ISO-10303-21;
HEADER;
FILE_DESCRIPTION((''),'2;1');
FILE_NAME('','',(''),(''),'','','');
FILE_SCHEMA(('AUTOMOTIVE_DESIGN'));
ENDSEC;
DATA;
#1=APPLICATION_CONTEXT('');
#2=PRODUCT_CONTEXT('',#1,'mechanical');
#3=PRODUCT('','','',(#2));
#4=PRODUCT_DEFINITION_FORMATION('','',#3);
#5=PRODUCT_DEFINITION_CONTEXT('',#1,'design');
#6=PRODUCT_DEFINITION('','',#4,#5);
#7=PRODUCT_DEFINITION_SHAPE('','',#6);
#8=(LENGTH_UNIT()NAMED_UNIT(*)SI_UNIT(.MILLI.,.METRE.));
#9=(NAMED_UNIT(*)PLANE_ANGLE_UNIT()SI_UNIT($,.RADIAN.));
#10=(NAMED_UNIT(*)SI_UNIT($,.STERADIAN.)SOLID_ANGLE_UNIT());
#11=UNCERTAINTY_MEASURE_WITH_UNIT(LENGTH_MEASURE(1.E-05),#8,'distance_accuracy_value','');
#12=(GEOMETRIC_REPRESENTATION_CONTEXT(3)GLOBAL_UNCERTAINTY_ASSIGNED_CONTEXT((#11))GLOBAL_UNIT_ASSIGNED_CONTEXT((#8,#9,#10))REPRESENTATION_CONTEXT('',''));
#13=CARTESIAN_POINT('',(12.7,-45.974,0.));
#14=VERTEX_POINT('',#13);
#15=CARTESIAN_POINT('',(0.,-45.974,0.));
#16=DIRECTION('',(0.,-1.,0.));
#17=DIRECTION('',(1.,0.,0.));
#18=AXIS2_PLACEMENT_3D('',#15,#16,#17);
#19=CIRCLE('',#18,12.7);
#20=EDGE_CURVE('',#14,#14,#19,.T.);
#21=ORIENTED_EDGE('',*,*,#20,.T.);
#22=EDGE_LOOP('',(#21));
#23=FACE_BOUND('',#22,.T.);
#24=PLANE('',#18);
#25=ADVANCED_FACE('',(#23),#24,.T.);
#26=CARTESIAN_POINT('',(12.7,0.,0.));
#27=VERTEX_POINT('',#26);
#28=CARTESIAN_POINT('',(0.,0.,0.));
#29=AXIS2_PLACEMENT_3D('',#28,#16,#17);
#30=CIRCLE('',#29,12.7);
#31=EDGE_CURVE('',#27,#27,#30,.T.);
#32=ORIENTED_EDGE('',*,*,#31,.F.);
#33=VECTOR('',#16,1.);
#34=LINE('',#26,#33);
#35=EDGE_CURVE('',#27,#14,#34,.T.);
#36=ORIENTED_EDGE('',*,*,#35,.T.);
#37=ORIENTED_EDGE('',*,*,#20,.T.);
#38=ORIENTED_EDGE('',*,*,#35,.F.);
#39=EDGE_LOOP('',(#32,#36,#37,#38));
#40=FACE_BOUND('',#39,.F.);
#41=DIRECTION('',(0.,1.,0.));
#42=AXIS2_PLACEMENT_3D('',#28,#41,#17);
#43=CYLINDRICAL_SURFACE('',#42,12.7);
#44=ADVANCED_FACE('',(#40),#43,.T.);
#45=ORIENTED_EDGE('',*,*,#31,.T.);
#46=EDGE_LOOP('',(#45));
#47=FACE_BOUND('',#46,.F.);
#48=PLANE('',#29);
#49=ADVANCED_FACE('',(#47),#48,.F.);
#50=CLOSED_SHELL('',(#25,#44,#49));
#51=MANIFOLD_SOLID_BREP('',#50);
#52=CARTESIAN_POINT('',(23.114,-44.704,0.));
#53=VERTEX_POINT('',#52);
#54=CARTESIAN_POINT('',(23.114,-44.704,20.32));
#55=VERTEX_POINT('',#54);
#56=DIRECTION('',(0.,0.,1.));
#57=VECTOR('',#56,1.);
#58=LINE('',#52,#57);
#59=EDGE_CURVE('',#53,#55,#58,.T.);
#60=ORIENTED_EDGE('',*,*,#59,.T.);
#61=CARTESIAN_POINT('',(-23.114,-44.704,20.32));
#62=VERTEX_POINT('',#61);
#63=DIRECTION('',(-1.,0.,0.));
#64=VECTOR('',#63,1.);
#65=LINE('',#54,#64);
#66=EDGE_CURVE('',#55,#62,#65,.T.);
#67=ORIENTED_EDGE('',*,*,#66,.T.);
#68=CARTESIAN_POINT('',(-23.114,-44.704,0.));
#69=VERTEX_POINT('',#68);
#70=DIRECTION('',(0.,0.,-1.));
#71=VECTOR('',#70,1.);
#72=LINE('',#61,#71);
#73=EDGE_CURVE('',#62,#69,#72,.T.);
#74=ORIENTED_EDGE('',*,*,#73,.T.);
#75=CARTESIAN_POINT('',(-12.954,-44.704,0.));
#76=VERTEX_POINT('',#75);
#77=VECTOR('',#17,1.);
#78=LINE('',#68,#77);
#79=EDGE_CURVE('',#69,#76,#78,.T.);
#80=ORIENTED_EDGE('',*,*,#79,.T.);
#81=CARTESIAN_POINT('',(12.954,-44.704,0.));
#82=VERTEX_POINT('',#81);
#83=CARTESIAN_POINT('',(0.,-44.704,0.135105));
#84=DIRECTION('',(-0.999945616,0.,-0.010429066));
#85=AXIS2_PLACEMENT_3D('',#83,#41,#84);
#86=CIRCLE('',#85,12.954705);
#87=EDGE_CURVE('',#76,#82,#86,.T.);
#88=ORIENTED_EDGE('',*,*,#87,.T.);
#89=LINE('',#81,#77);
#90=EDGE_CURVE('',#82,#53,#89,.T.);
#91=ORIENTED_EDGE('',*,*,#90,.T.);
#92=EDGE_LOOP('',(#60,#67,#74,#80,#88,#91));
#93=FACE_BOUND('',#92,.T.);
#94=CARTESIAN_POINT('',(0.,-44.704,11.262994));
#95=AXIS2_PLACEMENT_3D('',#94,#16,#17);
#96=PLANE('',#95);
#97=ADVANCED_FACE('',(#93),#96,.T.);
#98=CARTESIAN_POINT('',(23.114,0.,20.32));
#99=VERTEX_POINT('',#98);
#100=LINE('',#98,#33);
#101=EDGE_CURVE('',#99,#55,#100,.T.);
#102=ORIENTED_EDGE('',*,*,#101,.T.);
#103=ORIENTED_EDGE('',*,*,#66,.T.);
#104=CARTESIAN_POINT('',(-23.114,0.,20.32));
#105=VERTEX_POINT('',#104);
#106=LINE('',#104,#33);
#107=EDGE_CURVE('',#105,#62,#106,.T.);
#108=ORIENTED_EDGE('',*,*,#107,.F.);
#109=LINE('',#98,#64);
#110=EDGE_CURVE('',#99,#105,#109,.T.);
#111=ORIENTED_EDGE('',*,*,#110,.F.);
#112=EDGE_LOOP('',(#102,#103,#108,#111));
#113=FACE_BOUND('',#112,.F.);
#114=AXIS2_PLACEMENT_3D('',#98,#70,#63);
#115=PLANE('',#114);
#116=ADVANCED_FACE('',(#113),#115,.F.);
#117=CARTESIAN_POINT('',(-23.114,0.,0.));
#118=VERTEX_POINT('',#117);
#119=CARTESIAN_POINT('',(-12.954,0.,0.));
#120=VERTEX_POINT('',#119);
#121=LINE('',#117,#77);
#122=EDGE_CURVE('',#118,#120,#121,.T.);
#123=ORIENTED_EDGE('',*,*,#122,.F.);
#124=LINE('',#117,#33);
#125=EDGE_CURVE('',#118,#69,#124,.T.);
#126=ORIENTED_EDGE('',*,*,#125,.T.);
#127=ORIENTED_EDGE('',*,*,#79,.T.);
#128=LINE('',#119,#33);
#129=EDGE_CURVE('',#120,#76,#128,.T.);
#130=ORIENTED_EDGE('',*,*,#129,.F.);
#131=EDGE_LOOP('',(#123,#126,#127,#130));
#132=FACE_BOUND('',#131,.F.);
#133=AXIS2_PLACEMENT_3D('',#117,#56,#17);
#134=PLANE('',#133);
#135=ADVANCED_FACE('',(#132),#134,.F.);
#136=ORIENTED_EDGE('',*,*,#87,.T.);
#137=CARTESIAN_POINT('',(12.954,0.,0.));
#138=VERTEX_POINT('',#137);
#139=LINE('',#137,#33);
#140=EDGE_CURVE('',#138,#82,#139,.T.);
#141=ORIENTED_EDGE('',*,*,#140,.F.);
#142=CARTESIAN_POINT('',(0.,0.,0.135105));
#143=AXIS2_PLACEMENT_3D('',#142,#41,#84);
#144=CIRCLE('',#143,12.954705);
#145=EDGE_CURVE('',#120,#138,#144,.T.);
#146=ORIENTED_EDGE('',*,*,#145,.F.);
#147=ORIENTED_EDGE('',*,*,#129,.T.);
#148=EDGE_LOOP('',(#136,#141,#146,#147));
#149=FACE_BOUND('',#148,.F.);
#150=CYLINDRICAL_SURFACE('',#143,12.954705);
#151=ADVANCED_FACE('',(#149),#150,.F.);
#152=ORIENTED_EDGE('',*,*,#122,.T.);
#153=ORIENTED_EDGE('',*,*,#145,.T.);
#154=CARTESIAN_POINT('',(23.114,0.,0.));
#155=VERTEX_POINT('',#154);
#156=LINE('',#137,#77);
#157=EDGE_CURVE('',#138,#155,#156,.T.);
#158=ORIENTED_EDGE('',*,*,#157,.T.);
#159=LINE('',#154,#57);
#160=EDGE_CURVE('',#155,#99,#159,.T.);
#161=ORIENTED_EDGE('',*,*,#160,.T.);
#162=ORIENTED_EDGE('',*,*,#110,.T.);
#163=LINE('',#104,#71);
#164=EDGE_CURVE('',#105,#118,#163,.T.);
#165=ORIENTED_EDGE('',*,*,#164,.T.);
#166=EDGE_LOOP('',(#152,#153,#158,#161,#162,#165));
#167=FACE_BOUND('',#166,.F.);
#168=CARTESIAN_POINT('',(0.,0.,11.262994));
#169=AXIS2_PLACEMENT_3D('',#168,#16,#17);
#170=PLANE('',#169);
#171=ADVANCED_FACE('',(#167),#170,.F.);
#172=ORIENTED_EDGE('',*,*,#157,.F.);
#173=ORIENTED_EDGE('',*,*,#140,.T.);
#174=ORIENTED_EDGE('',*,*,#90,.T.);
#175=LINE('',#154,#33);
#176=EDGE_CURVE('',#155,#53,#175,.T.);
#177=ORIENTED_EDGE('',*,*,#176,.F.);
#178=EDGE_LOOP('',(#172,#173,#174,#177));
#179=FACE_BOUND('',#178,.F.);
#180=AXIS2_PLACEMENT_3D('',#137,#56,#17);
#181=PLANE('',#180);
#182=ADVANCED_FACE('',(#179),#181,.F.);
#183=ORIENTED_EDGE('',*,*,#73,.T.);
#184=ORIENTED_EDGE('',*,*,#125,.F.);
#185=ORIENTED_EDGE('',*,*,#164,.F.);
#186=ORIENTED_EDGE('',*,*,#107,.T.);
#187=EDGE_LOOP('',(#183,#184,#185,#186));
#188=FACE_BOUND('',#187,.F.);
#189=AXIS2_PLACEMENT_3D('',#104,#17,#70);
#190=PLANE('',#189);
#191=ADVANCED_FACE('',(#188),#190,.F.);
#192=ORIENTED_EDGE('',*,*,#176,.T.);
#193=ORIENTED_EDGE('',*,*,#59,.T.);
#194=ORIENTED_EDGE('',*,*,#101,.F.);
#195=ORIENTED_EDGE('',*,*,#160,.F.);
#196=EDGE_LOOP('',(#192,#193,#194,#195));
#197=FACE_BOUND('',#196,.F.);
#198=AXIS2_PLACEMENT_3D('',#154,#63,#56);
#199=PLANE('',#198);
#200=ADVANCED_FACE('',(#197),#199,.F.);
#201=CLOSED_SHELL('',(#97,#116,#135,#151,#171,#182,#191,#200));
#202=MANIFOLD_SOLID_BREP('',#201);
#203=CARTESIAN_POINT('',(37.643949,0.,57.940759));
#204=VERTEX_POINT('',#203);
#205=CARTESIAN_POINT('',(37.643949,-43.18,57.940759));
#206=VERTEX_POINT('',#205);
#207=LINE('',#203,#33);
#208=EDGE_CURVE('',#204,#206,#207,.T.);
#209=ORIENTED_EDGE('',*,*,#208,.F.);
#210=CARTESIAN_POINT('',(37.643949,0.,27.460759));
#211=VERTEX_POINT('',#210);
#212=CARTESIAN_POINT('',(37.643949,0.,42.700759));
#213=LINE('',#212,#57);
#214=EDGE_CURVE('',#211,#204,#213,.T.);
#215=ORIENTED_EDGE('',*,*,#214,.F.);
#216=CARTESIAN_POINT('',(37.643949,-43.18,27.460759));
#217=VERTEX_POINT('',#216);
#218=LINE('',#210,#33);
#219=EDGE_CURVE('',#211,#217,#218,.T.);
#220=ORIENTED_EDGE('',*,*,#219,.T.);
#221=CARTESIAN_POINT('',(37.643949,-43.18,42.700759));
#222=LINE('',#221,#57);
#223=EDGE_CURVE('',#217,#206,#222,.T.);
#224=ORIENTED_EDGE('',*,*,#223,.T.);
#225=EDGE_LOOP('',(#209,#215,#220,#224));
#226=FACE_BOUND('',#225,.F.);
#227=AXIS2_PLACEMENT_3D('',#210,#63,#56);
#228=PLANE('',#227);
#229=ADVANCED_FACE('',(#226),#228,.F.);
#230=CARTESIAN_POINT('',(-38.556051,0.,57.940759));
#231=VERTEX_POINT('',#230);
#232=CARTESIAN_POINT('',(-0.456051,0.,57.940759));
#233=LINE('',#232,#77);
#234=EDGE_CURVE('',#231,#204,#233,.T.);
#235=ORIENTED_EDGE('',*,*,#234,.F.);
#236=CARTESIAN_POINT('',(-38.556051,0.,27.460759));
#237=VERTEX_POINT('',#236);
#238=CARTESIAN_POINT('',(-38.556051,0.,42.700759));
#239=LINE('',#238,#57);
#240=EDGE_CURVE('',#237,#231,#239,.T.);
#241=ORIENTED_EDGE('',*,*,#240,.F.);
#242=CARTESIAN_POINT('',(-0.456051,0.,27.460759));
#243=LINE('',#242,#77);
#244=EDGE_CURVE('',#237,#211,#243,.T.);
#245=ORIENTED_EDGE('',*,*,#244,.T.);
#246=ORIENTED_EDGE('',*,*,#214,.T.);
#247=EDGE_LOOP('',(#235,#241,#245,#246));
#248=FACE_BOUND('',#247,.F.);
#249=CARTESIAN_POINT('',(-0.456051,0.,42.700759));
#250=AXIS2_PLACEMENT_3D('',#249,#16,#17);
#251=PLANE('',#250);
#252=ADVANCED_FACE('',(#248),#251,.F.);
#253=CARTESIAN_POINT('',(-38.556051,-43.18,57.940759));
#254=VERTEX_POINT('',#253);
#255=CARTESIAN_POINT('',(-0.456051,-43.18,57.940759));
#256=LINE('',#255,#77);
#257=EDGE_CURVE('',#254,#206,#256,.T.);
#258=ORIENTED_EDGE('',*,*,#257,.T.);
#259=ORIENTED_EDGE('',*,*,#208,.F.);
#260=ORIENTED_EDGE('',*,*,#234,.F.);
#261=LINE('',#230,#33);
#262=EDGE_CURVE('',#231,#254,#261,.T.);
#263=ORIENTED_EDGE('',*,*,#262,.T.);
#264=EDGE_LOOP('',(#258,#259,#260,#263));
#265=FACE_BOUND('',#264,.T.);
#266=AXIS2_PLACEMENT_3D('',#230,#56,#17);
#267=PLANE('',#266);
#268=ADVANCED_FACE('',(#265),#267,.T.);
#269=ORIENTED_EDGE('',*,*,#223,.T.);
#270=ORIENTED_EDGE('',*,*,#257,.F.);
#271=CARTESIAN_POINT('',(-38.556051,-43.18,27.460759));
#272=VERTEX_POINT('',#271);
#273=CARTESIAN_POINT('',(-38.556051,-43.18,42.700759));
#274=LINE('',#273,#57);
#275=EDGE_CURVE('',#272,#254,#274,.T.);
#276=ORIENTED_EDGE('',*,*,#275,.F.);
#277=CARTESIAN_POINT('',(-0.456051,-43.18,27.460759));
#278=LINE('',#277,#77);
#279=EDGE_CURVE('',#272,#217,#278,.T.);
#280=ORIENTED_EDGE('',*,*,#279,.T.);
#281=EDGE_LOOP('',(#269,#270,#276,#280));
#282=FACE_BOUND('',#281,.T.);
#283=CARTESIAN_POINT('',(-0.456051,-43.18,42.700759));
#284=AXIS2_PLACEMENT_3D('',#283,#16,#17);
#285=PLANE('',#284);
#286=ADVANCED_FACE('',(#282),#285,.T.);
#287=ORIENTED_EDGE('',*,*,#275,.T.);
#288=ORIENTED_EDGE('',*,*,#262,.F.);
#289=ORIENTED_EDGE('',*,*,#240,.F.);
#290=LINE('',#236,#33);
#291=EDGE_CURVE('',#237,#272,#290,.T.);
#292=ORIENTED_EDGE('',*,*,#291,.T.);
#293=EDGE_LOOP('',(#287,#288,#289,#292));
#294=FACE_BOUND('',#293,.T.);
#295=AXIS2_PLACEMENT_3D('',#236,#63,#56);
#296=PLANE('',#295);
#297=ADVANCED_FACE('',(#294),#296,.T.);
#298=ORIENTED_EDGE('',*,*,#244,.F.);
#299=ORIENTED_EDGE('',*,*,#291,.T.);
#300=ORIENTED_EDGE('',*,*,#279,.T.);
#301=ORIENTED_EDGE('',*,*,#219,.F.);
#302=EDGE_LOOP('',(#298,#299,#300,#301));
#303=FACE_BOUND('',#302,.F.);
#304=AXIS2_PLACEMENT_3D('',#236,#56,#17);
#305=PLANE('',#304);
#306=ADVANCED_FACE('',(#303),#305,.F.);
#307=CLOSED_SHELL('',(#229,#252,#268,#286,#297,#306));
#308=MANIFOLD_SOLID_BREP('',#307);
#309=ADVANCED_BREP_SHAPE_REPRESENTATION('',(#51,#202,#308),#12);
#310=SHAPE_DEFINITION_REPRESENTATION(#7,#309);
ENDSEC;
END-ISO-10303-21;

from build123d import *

# Parameters (mm, degrees)
F0_R     = 12.7
F1_DEPTH = 45.974
F3_DEPTH = 44.704
F4_W     = 76.2
F4_H     = 30.48
F5_DEPTH = 43.18


with BuildPart() as f1:
    # F0 (on Front) → F1 (new body)
    with BuildSketch(Plane.XZ):
        Circle(F0_R)
    extrude(amount=F1_DEPTH)


with BuildPart() as f3:
    # F2 (on Front) → F3 (new body)
    with BuildSketch(Plane.XZ):
        with BuildLine():
            ThreePointArc((-12.954, 0), (0, 13.08981), (12.954, 0))
            Line((12.954, 0), (23.114, 0))
            Line((23.114, 0), (23.114, 20.32))
            Line((23.114, 20.32), (-23.114, 20.32))
            Line((-23.114, 20.32), (-23.114, 0))
            Line((-23.114, 0), (-12.954, 0))
        make_face()
    extrude(amount=F3_DEPTH)


with BuildPart() as f5:
    # F4 (on Front) → F5 (new body)
    with BuildSketch(Plane.XZ):
        with Locations((-0.456051, 42.700759)):
            Rectangle(F4_W, F4_H)
    extrude(amount=F5_DEPTH)

    # F6: cut F1, F3
    add(f1.part, mode=Mode.SUBTRACT)
    add(f3.part, mode=Mode.SUBTRACT)


solid = Compound([f1.part, f3.part, f5.part])
